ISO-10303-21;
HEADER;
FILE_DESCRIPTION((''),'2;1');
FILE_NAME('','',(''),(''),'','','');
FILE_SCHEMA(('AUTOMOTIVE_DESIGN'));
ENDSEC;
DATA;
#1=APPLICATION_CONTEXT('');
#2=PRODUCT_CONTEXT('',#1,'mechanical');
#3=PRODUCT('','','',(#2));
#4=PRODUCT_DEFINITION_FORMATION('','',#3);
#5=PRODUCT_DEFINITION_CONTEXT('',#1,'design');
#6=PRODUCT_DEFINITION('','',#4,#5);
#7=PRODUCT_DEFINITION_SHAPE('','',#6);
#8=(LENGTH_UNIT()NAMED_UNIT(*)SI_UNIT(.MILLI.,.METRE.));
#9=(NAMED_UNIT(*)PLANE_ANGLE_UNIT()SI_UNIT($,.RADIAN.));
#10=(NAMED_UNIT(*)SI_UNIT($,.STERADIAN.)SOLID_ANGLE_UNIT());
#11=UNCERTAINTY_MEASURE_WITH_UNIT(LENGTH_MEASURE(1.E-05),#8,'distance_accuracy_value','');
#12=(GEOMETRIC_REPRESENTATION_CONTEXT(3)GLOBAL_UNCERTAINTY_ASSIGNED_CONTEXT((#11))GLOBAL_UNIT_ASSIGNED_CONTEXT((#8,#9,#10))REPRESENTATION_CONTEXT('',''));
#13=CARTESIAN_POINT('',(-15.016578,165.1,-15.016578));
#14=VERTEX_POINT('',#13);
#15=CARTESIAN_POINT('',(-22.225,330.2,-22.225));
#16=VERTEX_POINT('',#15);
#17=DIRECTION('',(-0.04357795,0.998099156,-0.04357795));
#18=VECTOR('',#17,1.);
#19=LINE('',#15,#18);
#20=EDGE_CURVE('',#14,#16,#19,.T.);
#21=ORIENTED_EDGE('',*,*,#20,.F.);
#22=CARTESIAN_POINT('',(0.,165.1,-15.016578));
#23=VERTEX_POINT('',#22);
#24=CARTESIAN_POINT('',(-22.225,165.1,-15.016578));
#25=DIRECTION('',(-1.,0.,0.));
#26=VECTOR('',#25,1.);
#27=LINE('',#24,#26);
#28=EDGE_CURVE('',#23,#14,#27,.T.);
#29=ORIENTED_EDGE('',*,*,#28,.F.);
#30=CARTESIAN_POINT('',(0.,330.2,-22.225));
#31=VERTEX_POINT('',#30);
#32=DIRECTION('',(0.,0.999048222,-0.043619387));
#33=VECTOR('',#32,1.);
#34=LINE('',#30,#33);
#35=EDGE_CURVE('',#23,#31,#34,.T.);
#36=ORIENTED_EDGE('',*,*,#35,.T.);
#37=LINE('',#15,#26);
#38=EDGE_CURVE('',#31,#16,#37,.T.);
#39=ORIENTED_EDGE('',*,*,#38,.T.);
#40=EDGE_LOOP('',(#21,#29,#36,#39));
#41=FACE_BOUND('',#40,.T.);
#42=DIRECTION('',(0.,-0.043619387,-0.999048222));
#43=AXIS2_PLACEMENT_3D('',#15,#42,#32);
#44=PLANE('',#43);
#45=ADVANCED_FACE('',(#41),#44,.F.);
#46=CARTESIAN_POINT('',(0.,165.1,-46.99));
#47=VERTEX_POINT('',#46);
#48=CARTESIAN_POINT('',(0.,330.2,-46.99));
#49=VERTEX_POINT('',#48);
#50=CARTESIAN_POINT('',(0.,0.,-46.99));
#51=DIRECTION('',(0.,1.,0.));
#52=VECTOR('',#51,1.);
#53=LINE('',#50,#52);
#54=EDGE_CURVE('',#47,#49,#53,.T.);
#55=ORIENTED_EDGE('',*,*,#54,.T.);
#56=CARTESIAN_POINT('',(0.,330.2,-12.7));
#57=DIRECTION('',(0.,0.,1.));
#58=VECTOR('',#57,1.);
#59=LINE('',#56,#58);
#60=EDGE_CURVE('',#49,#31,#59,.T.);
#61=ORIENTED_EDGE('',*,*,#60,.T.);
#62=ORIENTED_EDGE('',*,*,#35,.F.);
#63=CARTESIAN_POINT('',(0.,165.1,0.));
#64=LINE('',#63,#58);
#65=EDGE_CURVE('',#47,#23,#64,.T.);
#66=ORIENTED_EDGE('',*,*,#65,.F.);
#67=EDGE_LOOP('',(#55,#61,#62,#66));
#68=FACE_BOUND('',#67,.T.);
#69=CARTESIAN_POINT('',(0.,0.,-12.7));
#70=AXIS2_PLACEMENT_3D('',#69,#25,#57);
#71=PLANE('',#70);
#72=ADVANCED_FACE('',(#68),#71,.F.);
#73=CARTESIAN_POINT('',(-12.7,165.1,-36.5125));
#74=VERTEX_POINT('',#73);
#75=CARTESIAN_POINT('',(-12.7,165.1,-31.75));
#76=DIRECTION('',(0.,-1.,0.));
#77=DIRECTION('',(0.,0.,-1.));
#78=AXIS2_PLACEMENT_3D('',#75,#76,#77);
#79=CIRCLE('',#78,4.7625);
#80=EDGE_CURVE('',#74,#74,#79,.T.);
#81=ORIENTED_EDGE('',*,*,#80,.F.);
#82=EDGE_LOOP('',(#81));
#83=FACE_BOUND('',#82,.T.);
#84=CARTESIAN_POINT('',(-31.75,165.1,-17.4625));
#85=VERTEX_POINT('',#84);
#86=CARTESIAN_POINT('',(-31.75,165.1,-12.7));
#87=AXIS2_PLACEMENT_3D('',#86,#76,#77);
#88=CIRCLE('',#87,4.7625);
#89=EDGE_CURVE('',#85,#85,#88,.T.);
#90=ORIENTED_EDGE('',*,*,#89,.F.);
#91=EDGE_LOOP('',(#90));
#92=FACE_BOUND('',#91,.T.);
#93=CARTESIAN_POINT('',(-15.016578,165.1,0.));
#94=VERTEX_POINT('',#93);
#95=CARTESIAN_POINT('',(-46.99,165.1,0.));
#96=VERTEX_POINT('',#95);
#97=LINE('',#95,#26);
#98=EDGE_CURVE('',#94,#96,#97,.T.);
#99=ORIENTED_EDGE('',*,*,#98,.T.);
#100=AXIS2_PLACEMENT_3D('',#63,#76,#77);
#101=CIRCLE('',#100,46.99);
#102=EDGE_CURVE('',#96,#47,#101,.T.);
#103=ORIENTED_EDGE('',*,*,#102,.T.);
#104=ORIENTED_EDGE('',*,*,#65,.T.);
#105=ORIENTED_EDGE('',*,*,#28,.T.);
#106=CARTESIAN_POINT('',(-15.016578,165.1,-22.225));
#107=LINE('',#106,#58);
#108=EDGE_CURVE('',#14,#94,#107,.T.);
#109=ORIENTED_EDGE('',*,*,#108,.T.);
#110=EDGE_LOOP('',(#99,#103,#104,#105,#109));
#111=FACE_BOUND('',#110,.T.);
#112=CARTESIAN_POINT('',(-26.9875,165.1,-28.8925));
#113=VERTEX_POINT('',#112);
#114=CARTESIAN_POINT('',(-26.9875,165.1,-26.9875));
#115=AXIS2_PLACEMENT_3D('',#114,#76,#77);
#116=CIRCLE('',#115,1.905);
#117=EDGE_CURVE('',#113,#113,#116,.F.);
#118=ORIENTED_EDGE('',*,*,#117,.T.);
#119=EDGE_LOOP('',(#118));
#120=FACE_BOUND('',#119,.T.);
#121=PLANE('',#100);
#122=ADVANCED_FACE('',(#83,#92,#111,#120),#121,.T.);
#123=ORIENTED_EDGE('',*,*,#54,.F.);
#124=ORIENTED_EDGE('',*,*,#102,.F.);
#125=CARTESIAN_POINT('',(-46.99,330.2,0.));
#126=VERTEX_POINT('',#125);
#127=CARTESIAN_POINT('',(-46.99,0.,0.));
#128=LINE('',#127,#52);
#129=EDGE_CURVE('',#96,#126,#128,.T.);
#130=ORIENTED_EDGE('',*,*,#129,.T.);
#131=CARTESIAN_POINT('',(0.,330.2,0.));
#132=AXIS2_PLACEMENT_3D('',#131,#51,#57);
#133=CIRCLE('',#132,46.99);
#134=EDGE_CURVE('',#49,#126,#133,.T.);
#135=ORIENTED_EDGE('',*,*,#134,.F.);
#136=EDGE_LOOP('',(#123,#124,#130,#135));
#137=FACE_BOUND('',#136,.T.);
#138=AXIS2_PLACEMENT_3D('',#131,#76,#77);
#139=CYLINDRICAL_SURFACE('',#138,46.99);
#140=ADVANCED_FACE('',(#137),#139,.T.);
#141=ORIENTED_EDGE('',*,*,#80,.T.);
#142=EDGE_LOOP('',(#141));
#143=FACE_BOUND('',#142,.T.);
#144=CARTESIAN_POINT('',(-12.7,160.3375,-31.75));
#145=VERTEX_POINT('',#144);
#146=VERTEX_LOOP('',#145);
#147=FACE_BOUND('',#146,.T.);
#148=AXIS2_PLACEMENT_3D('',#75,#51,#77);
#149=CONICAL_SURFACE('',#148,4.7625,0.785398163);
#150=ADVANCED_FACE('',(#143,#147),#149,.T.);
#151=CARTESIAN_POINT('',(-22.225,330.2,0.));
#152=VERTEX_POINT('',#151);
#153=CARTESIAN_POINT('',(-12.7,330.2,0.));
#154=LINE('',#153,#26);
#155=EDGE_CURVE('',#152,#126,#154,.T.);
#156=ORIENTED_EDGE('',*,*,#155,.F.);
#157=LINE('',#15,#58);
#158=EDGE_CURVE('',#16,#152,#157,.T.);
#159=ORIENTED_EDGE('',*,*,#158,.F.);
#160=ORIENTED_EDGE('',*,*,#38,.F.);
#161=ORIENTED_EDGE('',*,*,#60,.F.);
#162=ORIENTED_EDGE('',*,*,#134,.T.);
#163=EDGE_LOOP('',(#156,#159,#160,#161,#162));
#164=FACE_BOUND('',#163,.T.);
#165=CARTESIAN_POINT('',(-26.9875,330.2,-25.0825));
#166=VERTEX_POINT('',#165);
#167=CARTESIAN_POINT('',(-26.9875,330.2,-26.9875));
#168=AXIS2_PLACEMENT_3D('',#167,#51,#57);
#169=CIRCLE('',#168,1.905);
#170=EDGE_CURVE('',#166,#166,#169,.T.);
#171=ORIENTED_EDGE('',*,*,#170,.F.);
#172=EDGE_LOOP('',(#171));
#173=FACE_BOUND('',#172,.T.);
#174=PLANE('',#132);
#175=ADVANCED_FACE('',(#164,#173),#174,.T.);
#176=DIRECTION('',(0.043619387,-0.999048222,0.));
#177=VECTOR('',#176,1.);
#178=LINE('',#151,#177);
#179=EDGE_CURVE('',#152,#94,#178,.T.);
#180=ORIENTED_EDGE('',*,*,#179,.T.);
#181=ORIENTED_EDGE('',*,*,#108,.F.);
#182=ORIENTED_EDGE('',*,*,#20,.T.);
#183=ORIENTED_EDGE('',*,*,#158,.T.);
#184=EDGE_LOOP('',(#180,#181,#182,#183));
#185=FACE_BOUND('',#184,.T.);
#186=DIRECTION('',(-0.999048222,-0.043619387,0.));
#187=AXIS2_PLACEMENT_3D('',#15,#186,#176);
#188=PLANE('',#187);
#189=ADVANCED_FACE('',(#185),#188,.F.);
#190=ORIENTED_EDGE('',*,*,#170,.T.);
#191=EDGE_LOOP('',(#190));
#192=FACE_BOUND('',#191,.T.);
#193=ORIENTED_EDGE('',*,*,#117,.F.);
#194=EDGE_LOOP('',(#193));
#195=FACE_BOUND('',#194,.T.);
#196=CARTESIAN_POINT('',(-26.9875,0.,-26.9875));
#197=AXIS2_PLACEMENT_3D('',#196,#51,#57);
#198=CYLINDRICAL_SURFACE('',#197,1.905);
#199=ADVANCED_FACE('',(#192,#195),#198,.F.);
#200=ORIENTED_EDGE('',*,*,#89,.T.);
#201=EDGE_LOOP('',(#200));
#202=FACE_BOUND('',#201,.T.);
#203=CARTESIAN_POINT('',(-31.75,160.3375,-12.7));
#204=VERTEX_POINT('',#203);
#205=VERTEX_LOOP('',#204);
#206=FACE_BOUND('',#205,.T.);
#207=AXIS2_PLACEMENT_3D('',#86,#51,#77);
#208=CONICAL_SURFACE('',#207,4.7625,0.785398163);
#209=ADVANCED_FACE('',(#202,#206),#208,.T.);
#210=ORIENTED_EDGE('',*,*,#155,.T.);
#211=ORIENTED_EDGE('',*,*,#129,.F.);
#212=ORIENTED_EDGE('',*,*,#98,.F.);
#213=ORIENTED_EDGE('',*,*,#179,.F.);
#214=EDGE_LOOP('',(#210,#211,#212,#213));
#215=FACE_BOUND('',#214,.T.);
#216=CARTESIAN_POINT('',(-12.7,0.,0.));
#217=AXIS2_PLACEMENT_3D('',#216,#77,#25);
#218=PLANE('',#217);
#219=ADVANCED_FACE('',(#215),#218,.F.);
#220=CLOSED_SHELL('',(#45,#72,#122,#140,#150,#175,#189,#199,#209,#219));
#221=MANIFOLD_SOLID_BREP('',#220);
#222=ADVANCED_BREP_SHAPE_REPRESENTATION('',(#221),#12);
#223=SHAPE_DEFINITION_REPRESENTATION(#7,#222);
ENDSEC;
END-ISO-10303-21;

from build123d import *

# Parameters (mm, degrees)
SKETCH1_R           = 46.99
BOSS_EXTRUDE1_DEPTH = 330.2
SKETCH2_W           = 44.45
SKETCH2_H           = 44.45
CUT_EXTRUDE1_DEPTH  = 330.2
CUT_EXTRUDE1_DRAFT  = -2.5
CUT_EXTRUDE2_START  = -330.2
SKETCH3_R           = 1.905
CUT_EXTRUDE2_DEPTH  = 330.2
CUT_EXTRUDE3_DEPTH  = 165.1


with BuildPart() as part:
    # Sketch1 → Boss-Extrude1 (new body)
    with BuildSketch(Plane(origin=(0, 0, 0), x_dir=(1, 0, 0), z_dir=(0, 1, 0))):
        with Locations(Location((0, 0, 0), (0, 0, 270))):
            Circle(SKETCH1_R)
    extrude(amount=BOSS_EXTRUDE1_DEPTH)


with BuildPart() as cut_extrude1_tool:
    # Sketch2 → Cut-Extrude1 (with draft: the straight prism first)
    with BuildSketch(Plane(origin=(0, 330.2, 0), x_dir=(1, 0, 0), z_dir=(0, 1, 0))):
        Rectangle(SKETCH2_W, SKETCH2_H)
    extrude(amount=-CUT_EXTRUDE1_DEPTH)
    # Cut-Extrude1: the draft: its side faces are tilted about the plane it starts from
    cut_extrude1_sides = [cut_extrude1_tool.faces().sort_by_distance(p)[0] for p in [
        (-22.225, 165.1, 0),
        (0, 165.1, 22.225),
        (22.225, 165.1, 0),
        (0, 165.1, -22.225),
    ]]
    draft(cut_extrude1_sides, Plane(origin=(0, 330.2, 0), x_dir=(1, 0, 0), z_dir=(0, 1, 0)), CUT_EXTRUDE1_DRAFT)


with BuildPart() as part_1:
    add(part.part)

    # Cut-Extrude1: cut by cut_extrude1_tool
    add(cut_extrude1_tool.part, mode=Mode.SUBTRACT)

    # Sketch3 → Cut-Extrude2 (cut)
    with BuildSketch(Plane(origin=(0, 330.2, 0), x_dir=(1, 0, 0), z_dir=(0, 1, 0)).offset(CUT_EXTRUDE2_START)):
        with Locations(Location((-26.9875, 26.9875, 0), (0, 0, 270))):
            Circle(SKETCH3_R)
        with BuildLine():
            Line((0, 12.7), (0, 46.99))
            ThreePointArc((0, 46.99), (33.226947648, -33.226947648), (-46.99, 0))
            Line((-46.99, 0), (-12.7, 0))
            Line((-12.7, 0), (0, 0))
            Line((0, 0), (0, 12.7))
        make_face()
    extrude(amount=CUT_EXTRUDE2_DEPTH, mode=Mode.SUBTRACT)

    # Sketch5 → Cut-Extrude3 (cut)
    with BuildSketch(Plane.XZ):
        with BuildLine():
            Line((-46.99, 0), (0, 0))
            Line((0, 0), (0, -46.99))
            ThreePointArc((0, -46.99), (-33.226947648, -33.226947648), (-46.99, 0))
        make_face()
    extrude(amount=-CUT_EXTRUDE3_DEPTH, mode=Mode.SUBTRACT)

    # Boss-Extrude3 cone 1 section (through the dimple's axis) → Boss-Extrude3 (revolve)
    with BuildSketch(Plane(origin=(-31.75, 165.1, -12.7), x_dir=(0, 0, 1), z_dir=(1, 0, 0))):
        Polygon((0, 0), (4.7625, 0), (0, 4.7625), align=None)
    revolve(axis=Axis((-31.75, 165.1, -12.7), (0, -1, 0)))

    # Boss-Extrude3 cone 2 section (through the dimple's axis) → Boss-Extrude3 cone 2 (revolve)
    with BuildSketch(Plane(origin=(-12.7, 165.1, -31.75), x_dir=(0, 0, 1), z_dir=(1, 0, 0))):
        Polygon((0, 0), (4.7625, 0), (0, 4.7625), align=None)
    revolve(axis=Axis((-12.7, 165.1, -31.75), (0, -1, 0)))


solid = part_1.part
